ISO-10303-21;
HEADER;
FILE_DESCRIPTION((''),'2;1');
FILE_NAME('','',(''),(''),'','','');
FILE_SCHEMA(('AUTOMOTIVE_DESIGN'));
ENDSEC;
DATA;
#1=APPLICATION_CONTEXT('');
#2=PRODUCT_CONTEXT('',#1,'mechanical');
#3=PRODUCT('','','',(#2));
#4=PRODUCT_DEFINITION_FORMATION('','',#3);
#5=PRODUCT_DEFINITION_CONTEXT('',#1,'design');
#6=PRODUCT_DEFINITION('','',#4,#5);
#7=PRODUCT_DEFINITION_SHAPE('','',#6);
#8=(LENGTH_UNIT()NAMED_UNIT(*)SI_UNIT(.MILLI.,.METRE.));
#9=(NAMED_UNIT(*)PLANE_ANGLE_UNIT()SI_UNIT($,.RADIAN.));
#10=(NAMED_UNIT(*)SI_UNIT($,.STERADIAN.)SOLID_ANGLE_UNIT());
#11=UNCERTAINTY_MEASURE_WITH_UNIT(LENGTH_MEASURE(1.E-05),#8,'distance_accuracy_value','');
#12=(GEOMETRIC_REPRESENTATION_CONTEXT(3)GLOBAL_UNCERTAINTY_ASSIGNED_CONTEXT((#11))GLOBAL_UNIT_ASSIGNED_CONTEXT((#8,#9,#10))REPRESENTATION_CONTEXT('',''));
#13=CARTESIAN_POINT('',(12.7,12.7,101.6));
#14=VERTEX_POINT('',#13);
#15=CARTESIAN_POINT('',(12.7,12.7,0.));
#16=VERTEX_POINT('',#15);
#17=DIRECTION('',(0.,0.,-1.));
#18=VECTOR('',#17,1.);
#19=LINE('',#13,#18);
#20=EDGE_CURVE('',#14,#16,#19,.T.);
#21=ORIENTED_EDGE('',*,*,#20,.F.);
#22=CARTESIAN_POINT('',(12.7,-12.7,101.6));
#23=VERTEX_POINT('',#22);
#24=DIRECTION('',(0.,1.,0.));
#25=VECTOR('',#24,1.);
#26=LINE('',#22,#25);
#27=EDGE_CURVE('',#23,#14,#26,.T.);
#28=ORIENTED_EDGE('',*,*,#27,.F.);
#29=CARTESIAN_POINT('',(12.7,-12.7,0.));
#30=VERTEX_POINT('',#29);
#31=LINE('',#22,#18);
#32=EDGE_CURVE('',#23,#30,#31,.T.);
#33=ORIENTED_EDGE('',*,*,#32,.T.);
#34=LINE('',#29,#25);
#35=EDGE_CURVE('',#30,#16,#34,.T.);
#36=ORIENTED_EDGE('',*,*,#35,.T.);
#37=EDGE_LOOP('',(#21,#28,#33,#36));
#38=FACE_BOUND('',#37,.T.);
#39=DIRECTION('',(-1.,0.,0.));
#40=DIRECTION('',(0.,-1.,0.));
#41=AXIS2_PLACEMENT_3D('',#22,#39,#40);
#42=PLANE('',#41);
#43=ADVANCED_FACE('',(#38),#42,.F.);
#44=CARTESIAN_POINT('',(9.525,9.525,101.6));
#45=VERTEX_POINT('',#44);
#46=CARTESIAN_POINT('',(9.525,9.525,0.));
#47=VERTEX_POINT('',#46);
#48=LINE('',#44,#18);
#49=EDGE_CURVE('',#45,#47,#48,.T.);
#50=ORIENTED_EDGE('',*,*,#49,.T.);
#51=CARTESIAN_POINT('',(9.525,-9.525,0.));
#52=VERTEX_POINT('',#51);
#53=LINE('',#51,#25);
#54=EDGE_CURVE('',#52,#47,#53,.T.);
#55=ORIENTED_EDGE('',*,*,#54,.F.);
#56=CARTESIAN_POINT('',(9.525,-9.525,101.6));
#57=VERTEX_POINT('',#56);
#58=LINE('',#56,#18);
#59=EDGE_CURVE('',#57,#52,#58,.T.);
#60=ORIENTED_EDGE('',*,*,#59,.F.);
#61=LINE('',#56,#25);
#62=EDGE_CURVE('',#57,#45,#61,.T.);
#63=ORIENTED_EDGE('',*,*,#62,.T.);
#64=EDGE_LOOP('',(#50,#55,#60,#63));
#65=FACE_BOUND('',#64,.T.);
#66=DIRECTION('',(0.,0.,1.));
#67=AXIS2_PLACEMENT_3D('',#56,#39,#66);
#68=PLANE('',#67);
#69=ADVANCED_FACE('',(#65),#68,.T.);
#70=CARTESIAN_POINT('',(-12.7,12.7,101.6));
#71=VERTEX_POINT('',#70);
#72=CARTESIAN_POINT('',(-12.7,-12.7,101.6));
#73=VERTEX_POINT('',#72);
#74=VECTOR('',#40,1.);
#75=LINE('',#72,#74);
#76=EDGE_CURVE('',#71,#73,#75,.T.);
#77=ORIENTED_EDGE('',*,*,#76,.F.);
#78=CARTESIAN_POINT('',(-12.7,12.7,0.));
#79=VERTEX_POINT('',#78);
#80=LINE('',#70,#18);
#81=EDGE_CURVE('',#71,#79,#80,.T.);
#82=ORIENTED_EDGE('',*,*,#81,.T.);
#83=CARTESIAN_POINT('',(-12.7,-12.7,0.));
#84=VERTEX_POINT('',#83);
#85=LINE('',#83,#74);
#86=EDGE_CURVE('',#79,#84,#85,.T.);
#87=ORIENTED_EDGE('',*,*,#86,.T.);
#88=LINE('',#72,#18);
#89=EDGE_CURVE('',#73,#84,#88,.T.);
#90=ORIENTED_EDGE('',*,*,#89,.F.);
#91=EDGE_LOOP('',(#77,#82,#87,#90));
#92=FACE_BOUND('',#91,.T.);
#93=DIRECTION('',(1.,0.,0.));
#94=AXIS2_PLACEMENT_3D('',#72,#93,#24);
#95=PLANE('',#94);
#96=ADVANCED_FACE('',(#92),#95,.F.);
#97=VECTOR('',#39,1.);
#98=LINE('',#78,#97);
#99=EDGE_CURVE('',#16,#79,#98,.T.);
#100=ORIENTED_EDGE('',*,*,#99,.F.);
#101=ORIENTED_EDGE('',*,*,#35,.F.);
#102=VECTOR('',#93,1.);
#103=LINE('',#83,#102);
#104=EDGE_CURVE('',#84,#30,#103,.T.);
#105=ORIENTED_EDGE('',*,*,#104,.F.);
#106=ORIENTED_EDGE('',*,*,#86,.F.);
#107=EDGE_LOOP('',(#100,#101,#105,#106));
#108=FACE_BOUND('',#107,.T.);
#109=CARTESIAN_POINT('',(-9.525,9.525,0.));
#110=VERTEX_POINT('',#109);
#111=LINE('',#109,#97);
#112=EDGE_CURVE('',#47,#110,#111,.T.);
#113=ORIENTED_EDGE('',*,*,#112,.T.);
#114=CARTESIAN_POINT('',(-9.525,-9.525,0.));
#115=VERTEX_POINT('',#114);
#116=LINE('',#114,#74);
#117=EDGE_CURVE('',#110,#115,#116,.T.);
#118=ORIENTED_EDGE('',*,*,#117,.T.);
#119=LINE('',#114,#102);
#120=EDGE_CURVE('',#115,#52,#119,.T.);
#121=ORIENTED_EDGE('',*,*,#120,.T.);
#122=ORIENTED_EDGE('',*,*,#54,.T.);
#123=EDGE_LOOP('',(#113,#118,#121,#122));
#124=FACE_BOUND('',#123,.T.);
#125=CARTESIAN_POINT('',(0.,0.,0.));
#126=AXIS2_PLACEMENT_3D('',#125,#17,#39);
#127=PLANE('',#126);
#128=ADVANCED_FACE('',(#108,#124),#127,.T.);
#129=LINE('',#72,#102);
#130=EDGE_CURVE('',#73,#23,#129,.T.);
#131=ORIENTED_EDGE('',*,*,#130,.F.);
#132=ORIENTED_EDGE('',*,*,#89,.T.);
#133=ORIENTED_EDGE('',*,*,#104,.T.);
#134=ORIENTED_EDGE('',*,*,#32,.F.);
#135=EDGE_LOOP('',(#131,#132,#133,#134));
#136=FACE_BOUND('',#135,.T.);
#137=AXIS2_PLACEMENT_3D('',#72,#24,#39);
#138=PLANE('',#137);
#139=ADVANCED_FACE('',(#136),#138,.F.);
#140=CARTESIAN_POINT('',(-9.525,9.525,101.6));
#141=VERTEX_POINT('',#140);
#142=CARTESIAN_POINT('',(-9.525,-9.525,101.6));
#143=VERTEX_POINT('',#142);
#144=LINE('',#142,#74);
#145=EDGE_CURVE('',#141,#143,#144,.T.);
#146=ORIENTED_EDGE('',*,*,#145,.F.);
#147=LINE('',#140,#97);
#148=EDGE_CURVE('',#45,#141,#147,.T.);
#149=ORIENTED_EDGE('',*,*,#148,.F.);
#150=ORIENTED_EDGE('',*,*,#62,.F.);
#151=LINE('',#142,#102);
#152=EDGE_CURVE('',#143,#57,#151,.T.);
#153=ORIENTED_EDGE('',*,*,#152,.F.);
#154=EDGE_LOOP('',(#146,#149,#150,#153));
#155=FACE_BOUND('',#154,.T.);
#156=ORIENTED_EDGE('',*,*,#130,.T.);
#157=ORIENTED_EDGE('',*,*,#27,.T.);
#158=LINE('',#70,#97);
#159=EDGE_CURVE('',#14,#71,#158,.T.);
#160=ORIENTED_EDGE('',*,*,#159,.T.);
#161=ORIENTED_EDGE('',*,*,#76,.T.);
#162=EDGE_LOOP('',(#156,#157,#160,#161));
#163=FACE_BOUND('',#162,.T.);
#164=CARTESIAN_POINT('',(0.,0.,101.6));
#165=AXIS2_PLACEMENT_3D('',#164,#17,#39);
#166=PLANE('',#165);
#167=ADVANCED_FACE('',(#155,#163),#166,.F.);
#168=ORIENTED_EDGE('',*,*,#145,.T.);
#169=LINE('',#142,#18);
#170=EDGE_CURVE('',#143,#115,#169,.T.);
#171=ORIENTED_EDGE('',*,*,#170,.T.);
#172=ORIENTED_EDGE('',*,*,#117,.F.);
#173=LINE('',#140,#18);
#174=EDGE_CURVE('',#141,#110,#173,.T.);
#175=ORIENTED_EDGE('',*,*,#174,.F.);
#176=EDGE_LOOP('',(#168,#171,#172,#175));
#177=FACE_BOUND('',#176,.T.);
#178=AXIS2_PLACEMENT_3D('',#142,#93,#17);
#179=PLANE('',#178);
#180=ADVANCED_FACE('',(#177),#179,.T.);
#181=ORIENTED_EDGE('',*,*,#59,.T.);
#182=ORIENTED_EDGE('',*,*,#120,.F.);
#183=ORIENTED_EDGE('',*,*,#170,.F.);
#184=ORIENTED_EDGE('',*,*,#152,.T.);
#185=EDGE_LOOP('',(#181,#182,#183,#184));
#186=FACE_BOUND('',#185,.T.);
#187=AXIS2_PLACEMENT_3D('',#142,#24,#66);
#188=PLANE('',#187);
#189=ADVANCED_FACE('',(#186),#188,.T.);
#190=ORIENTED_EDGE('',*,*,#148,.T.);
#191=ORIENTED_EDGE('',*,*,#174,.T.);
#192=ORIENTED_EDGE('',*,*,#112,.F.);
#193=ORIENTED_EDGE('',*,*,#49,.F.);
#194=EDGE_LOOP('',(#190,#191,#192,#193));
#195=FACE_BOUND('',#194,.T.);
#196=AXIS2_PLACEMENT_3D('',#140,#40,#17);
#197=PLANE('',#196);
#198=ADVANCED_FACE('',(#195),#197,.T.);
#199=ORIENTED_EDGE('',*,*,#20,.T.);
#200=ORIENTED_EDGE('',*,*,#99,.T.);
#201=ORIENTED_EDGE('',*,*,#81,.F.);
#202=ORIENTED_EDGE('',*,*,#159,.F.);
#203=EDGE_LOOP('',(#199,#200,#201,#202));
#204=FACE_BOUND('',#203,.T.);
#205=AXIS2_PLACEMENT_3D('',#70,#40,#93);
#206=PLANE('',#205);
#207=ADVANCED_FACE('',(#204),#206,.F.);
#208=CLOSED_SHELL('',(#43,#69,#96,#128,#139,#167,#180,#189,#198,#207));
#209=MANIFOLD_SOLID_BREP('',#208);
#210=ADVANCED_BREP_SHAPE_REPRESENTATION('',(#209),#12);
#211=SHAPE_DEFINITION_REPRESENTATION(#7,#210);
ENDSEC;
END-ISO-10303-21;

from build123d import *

# Parameters (mm, degrees)
SKETCH1_W           = 25.4
SKETCH1_H           = 25.4
SKETCH1_W_2         = 19.05
SKETCH1_H_2         = 19.05
BOSS_EXTRUDE1_DEPTH = 101.6


with BuildPart() as part:
    # Sketch1 → Boss-Extrude1 (new body)
    with BuildSketch(Plane.XY):
        Rectangle(SKETCH1_W, SKETCH1_H)
        Rectangle(SKETCH1_W_2, SKETCH1_H_2, mode=Mode.SUBTRACT)
    extrude(amount=BOSS_EXTRUDE1_DEPTH)


solid = part.part
